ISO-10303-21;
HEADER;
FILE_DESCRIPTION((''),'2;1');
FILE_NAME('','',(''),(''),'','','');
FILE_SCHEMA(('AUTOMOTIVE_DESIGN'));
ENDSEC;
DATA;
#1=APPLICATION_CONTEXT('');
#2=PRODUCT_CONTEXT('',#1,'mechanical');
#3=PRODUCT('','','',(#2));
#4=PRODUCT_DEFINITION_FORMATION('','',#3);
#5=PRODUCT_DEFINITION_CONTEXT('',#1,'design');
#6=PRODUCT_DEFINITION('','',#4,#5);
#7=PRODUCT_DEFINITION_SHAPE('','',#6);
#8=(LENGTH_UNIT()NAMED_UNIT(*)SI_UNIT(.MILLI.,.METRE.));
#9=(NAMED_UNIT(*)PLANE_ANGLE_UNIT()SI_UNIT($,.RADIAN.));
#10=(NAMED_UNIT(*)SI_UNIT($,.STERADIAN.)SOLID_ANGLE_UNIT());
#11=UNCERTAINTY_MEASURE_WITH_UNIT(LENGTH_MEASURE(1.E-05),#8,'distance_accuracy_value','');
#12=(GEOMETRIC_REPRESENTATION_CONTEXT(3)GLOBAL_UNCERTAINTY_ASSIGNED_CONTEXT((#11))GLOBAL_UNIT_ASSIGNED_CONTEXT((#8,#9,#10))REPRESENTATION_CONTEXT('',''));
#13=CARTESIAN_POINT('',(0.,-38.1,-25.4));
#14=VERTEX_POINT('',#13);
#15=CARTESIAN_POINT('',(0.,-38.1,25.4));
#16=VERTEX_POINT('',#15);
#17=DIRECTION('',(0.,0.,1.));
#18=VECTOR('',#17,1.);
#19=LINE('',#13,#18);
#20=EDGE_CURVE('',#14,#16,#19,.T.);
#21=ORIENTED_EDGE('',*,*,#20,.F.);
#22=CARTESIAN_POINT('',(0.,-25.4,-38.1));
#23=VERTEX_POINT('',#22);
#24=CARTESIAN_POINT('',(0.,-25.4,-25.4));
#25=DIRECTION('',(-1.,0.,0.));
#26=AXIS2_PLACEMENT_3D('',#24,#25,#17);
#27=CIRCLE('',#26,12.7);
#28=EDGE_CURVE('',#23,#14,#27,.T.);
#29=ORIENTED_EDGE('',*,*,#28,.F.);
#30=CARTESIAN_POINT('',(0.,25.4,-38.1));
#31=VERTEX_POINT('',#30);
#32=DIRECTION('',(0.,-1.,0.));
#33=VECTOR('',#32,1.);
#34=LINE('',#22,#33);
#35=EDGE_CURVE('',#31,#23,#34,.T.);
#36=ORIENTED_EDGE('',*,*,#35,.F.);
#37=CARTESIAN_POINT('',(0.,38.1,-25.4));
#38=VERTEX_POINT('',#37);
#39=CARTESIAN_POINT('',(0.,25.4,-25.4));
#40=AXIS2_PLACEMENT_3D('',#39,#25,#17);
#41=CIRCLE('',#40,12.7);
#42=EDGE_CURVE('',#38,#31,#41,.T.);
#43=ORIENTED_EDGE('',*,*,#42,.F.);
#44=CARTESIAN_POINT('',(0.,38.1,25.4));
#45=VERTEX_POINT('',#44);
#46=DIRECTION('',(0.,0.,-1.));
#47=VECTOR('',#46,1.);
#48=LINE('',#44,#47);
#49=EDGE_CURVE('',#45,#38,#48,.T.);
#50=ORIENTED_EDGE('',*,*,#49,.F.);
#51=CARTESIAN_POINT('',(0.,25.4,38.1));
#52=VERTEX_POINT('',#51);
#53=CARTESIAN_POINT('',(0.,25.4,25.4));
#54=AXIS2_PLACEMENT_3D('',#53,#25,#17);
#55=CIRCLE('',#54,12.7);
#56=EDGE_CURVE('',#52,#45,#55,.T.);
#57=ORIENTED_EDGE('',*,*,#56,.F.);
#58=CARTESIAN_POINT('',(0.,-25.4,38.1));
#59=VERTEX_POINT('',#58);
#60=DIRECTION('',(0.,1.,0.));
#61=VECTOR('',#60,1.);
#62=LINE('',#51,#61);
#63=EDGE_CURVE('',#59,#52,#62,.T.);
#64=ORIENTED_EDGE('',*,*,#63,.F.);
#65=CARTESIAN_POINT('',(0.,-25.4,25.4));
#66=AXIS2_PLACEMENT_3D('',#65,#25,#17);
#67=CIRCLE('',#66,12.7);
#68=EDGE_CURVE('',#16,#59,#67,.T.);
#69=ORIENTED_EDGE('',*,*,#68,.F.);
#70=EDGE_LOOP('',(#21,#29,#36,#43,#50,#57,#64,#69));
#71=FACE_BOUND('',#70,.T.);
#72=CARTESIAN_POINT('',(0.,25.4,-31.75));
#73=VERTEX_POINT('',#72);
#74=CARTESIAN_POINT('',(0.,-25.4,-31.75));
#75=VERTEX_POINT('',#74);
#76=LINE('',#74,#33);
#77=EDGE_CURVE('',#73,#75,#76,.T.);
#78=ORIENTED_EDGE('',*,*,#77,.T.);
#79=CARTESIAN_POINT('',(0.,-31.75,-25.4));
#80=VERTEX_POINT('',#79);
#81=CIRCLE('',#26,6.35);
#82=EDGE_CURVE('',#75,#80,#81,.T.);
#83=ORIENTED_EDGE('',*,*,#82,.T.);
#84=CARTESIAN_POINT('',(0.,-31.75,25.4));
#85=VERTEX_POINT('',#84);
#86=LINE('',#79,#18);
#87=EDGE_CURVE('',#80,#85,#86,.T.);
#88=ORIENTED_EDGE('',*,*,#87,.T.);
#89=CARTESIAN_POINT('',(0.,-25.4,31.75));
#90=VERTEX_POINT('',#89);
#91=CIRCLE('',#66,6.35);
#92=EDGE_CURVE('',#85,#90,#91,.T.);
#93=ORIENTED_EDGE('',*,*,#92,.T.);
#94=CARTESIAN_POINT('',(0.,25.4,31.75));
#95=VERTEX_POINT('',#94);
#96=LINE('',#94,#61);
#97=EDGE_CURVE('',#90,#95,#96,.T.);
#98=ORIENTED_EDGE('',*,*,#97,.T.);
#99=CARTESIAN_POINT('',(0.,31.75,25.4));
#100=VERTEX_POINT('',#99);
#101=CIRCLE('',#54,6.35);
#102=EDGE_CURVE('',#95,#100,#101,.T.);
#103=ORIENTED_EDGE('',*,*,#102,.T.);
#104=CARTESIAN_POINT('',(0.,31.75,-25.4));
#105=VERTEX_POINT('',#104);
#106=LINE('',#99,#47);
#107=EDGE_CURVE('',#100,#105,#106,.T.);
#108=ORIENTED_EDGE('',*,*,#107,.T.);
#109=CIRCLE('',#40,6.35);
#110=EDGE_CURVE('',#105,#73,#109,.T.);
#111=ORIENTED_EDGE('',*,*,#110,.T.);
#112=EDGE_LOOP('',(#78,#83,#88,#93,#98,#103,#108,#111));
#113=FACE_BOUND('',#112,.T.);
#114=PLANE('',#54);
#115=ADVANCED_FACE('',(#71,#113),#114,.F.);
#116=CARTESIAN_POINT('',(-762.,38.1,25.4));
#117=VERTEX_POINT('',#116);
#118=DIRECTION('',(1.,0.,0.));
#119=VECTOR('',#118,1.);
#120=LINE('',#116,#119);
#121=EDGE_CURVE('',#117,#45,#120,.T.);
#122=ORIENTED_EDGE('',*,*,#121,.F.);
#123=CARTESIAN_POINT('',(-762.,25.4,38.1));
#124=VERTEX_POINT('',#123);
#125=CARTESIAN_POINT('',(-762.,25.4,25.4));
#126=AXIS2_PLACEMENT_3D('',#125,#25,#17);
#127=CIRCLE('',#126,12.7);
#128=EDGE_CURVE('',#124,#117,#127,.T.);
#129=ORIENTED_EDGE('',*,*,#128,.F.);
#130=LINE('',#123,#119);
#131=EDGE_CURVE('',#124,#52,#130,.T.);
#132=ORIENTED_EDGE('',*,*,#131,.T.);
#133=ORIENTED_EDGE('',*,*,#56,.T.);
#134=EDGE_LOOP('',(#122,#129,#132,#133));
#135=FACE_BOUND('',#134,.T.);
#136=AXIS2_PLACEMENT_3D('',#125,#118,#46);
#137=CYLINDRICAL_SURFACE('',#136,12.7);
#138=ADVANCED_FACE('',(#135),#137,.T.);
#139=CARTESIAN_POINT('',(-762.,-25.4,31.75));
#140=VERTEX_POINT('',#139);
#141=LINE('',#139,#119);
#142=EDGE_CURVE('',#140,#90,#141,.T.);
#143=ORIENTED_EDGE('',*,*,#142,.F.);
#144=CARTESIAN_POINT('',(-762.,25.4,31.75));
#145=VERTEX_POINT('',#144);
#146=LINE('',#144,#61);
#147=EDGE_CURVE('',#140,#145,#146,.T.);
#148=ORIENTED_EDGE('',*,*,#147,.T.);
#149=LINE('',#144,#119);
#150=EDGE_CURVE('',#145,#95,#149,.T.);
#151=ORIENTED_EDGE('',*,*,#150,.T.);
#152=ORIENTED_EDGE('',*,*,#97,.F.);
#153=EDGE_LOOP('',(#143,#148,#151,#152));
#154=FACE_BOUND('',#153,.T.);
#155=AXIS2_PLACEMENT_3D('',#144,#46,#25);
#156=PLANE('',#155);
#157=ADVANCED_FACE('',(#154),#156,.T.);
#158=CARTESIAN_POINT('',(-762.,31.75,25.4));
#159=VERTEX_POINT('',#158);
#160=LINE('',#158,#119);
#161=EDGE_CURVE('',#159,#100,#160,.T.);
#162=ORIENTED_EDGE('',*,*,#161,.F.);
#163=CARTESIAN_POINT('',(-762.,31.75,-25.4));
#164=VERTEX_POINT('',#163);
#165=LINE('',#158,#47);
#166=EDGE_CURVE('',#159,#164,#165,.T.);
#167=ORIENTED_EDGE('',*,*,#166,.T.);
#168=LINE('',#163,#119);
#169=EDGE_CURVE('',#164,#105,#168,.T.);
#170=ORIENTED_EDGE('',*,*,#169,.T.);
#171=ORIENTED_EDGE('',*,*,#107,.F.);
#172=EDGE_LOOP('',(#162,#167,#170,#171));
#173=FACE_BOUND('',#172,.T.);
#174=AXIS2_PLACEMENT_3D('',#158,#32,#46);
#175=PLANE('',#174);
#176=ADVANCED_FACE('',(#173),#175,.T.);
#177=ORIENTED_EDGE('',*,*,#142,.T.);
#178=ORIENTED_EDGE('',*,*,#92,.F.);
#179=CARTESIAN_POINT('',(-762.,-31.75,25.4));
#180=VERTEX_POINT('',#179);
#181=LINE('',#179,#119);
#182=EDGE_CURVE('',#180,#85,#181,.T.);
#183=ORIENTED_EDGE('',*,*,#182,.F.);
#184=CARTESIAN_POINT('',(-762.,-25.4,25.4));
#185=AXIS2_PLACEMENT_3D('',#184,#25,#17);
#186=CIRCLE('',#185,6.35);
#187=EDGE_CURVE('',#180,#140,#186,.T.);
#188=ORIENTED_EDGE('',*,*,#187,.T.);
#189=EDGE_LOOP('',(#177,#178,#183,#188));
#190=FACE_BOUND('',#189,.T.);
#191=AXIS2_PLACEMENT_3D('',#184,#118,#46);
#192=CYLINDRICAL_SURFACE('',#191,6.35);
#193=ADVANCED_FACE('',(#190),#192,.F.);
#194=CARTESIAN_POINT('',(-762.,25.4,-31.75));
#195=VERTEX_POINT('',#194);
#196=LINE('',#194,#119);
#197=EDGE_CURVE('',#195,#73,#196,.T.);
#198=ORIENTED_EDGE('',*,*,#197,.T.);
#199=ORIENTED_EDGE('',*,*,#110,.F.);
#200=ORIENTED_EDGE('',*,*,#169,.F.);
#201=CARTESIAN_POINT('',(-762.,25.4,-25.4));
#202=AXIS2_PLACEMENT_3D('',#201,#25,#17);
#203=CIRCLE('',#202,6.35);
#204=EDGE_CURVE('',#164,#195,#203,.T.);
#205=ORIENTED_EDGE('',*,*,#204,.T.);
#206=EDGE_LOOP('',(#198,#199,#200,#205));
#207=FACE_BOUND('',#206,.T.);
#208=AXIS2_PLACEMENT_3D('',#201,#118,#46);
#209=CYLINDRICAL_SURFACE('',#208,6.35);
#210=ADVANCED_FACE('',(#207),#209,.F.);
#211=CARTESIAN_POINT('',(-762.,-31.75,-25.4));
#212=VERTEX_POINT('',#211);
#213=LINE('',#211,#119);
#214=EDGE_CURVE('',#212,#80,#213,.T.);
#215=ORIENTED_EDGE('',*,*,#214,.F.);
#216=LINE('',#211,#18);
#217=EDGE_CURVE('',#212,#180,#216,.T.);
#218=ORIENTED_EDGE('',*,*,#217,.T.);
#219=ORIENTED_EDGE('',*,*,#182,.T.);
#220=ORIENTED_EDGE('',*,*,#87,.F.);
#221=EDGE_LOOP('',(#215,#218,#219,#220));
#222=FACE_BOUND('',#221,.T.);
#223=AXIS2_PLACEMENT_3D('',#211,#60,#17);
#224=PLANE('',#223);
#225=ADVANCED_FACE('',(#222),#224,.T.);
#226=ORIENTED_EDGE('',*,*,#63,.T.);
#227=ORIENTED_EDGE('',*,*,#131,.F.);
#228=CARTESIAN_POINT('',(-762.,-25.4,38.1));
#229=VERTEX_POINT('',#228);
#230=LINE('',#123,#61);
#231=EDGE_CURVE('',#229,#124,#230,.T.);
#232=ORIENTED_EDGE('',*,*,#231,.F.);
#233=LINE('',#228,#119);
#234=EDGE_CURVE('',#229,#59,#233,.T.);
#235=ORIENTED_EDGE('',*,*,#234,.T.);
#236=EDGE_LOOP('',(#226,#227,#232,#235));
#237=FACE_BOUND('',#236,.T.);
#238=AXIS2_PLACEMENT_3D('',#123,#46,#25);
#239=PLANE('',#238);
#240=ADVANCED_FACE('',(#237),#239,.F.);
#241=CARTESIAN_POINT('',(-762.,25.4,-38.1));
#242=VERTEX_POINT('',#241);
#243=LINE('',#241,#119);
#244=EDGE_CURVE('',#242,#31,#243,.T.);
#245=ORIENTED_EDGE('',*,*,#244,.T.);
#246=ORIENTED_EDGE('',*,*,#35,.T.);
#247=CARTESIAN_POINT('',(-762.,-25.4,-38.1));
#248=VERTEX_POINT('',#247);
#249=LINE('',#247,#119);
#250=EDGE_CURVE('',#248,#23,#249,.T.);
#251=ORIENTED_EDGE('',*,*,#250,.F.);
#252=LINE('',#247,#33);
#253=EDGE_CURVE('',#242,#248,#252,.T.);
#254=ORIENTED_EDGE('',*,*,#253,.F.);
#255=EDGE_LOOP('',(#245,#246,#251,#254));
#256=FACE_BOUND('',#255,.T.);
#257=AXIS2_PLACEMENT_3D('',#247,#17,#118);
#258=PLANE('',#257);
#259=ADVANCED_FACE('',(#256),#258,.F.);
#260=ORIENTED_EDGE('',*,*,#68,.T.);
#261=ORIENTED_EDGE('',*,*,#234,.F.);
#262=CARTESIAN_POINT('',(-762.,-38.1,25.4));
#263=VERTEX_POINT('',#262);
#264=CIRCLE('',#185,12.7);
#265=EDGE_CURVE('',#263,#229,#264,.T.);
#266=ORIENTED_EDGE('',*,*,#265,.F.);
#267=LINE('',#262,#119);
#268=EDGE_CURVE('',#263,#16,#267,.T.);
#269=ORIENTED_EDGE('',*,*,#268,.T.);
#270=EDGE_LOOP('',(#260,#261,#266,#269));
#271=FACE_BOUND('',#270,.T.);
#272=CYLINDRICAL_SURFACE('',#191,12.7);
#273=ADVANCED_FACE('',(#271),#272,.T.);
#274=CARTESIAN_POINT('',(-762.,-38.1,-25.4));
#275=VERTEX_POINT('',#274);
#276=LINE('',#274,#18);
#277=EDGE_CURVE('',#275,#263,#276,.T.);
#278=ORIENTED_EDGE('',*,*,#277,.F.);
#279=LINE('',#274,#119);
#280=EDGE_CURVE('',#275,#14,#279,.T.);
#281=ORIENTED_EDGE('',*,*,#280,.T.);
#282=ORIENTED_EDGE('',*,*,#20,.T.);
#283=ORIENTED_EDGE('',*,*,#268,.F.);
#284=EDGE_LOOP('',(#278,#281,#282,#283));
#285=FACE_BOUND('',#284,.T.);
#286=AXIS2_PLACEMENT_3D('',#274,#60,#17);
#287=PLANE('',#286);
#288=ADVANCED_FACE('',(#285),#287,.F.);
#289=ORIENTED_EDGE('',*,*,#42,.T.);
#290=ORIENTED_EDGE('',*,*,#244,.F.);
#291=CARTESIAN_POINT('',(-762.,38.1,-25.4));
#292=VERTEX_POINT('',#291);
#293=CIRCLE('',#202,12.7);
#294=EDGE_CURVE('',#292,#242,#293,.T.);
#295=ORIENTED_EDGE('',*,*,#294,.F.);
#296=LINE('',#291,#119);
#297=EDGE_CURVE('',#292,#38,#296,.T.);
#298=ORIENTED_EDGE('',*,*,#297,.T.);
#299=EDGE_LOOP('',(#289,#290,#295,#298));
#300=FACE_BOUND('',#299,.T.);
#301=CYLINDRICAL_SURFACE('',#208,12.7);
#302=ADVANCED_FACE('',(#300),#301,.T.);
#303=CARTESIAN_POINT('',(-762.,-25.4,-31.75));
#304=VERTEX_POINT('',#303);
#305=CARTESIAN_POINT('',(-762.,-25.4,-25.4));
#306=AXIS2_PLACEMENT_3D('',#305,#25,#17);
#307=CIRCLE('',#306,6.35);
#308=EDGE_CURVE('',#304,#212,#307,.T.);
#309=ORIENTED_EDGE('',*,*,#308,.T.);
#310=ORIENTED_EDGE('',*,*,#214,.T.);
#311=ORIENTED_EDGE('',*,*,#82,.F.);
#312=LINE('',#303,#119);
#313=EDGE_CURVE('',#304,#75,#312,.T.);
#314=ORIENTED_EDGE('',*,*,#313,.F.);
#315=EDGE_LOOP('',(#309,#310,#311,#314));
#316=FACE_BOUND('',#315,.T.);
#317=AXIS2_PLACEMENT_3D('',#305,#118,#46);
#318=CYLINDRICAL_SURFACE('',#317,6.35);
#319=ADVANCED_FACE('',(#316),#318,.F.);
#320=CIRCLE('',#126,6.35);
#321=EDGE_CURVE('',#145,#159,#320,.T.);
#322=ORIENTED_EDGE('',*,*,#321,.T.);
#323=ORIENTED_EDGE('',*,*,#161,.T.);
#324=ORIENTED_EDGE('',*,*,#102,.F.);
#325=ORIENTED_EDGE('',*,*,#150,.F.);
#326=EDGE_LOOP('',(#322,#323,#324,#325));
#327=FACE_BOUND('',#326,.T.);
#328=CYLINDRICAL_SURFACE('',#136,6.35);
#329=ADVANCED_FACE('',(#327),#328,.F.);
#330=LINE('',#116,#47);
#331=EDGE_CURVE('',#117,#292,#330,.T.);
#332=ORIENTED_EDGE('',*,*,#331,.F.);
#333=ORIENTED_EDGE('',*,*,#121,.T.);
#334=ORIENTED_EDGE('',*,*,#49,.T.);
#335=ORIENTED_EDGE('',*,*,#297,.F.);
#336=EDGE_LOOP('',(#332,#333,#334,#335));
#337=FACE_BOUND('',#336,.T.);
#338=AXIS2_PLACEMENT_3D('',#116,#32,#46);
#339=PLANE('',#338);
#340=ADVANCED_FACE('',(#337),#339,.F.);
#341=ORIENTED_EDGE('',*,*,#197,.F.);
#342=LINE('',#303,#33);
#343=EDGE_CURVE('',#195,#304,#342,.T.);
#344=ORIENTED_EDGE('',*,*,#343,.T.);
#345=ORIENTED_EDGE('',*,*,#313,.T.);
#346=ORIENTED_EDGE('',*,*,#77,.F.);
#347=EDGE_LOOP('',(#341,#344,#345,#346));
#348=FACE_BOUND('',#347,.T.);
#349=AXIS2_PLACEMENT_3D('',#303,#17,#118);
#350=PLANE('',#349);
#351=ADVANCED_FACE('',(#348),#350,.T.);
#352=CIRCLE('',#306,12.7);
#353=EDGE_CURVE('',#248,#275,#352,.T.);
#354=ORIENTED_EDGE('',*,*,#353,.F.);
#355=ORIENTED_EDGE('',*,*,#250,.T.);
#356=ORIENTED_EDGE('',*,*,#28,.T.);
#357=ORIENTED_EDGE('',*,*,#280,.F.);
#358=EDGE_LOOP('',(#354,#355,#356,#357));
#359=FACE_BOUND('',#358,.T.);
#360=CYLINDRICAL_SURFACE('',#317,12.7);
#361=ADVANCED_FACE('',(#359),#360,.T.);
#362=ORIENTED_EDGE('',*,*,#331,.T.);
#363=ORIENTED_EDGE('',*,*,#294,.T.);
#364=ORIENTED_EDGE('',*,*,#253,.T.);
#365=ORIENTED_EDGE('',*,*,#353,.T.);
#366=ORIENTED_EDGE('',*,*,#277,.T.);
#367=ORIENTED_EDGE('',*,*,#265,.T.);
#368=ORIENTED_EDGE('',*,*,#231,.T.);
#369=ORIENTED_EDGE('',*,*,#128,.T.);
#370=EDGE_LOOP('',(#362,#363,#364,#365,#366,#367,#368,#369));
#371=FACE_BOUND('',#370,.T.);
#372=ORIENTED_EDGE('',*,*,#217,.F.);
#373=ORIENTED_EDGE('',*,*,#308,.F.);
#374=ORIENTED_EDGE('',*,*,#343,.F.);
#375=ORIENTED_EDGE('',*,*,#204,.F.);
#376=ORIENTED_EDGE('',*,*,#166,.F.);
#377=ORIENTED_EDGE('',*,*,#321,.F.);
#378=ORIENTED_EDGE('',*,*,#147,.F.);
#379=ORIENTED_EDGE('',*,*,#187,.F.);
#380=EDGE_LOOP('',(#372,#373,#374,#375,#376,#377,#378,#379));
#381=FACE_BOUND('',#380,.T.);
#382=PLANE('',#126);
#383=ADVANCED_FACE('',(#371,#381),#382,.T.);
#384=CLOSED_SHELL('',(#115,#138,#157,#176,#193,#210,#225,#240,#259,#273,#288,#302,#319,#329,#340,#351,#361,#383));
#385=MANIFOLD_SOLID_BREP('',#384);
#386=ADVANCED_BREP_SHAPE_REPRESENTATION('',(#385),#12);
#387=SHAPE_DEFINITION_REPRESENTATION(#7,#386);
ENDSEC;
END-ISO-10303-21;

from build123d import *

# Parameters (mm, degrees)
STRUCTURAL_MEMBER1_DEPTH = 762


with BuildPart() as part:
    # Sketch1 → Structural Member1 (new body)
    with BuildSketch(Plane.ZY):
        with BuildLine():
            Line((-25.4, -38.1), (25.4, -38.1))
            ThreePointArc((25.4, -38.1), (34.380256121, -34.380256121), (38.1, -25.4))
            Line((38.1, -25.4), (38.1, 25.4))
            ThreePointArc((38.1, 25.4), (34.380256121, 34.380256121), (25.4, 38.1))
            Line((25.4, 38.1), (-25.4, 38.1))
            ThreePointArc((-25.4, 38.1), (-34.380256121, 34.380256121), (-38.1, 25.4))
            Line((-38.1, 25.4), (-38.1, -25.4))
            ThreePointArc((-38.1, -25.4), (-34.380256121, -34.380256121), (-25.4, -38.1))
        make_face()
        with BuildLine():
            Line((-25.4, -31.75), (25.4, -31.75))
            ThreePointArc((25.4, -31.75), (29.890128061, -29.890128061), (31.75, -25.4))
            Line((31.75, -25.4), (31.75, 25.4))
            ThreePointArc((31.75, 25.4), (29.890128061, 29.890128061), (25.4, 31.75))
            Line((25.4, 31.75), (-25.4, 31.75))
            ThreePointArc((-25.4, 31.75), (-29.890128061, 29.890128061), (-31.75, 25.4))
            Line((-31.75, 25.4), (-31.75, -25.4))
            ThreePointArc((-31.75, -25.4), (-29.890128061, -29.890128061), (-25.4, -31.75))
        make_face(mode=Mode.SUBTRACT)
    extrude(amount=STRUCTURAL_MEMBER1_DEPTH)


solid = part.part
